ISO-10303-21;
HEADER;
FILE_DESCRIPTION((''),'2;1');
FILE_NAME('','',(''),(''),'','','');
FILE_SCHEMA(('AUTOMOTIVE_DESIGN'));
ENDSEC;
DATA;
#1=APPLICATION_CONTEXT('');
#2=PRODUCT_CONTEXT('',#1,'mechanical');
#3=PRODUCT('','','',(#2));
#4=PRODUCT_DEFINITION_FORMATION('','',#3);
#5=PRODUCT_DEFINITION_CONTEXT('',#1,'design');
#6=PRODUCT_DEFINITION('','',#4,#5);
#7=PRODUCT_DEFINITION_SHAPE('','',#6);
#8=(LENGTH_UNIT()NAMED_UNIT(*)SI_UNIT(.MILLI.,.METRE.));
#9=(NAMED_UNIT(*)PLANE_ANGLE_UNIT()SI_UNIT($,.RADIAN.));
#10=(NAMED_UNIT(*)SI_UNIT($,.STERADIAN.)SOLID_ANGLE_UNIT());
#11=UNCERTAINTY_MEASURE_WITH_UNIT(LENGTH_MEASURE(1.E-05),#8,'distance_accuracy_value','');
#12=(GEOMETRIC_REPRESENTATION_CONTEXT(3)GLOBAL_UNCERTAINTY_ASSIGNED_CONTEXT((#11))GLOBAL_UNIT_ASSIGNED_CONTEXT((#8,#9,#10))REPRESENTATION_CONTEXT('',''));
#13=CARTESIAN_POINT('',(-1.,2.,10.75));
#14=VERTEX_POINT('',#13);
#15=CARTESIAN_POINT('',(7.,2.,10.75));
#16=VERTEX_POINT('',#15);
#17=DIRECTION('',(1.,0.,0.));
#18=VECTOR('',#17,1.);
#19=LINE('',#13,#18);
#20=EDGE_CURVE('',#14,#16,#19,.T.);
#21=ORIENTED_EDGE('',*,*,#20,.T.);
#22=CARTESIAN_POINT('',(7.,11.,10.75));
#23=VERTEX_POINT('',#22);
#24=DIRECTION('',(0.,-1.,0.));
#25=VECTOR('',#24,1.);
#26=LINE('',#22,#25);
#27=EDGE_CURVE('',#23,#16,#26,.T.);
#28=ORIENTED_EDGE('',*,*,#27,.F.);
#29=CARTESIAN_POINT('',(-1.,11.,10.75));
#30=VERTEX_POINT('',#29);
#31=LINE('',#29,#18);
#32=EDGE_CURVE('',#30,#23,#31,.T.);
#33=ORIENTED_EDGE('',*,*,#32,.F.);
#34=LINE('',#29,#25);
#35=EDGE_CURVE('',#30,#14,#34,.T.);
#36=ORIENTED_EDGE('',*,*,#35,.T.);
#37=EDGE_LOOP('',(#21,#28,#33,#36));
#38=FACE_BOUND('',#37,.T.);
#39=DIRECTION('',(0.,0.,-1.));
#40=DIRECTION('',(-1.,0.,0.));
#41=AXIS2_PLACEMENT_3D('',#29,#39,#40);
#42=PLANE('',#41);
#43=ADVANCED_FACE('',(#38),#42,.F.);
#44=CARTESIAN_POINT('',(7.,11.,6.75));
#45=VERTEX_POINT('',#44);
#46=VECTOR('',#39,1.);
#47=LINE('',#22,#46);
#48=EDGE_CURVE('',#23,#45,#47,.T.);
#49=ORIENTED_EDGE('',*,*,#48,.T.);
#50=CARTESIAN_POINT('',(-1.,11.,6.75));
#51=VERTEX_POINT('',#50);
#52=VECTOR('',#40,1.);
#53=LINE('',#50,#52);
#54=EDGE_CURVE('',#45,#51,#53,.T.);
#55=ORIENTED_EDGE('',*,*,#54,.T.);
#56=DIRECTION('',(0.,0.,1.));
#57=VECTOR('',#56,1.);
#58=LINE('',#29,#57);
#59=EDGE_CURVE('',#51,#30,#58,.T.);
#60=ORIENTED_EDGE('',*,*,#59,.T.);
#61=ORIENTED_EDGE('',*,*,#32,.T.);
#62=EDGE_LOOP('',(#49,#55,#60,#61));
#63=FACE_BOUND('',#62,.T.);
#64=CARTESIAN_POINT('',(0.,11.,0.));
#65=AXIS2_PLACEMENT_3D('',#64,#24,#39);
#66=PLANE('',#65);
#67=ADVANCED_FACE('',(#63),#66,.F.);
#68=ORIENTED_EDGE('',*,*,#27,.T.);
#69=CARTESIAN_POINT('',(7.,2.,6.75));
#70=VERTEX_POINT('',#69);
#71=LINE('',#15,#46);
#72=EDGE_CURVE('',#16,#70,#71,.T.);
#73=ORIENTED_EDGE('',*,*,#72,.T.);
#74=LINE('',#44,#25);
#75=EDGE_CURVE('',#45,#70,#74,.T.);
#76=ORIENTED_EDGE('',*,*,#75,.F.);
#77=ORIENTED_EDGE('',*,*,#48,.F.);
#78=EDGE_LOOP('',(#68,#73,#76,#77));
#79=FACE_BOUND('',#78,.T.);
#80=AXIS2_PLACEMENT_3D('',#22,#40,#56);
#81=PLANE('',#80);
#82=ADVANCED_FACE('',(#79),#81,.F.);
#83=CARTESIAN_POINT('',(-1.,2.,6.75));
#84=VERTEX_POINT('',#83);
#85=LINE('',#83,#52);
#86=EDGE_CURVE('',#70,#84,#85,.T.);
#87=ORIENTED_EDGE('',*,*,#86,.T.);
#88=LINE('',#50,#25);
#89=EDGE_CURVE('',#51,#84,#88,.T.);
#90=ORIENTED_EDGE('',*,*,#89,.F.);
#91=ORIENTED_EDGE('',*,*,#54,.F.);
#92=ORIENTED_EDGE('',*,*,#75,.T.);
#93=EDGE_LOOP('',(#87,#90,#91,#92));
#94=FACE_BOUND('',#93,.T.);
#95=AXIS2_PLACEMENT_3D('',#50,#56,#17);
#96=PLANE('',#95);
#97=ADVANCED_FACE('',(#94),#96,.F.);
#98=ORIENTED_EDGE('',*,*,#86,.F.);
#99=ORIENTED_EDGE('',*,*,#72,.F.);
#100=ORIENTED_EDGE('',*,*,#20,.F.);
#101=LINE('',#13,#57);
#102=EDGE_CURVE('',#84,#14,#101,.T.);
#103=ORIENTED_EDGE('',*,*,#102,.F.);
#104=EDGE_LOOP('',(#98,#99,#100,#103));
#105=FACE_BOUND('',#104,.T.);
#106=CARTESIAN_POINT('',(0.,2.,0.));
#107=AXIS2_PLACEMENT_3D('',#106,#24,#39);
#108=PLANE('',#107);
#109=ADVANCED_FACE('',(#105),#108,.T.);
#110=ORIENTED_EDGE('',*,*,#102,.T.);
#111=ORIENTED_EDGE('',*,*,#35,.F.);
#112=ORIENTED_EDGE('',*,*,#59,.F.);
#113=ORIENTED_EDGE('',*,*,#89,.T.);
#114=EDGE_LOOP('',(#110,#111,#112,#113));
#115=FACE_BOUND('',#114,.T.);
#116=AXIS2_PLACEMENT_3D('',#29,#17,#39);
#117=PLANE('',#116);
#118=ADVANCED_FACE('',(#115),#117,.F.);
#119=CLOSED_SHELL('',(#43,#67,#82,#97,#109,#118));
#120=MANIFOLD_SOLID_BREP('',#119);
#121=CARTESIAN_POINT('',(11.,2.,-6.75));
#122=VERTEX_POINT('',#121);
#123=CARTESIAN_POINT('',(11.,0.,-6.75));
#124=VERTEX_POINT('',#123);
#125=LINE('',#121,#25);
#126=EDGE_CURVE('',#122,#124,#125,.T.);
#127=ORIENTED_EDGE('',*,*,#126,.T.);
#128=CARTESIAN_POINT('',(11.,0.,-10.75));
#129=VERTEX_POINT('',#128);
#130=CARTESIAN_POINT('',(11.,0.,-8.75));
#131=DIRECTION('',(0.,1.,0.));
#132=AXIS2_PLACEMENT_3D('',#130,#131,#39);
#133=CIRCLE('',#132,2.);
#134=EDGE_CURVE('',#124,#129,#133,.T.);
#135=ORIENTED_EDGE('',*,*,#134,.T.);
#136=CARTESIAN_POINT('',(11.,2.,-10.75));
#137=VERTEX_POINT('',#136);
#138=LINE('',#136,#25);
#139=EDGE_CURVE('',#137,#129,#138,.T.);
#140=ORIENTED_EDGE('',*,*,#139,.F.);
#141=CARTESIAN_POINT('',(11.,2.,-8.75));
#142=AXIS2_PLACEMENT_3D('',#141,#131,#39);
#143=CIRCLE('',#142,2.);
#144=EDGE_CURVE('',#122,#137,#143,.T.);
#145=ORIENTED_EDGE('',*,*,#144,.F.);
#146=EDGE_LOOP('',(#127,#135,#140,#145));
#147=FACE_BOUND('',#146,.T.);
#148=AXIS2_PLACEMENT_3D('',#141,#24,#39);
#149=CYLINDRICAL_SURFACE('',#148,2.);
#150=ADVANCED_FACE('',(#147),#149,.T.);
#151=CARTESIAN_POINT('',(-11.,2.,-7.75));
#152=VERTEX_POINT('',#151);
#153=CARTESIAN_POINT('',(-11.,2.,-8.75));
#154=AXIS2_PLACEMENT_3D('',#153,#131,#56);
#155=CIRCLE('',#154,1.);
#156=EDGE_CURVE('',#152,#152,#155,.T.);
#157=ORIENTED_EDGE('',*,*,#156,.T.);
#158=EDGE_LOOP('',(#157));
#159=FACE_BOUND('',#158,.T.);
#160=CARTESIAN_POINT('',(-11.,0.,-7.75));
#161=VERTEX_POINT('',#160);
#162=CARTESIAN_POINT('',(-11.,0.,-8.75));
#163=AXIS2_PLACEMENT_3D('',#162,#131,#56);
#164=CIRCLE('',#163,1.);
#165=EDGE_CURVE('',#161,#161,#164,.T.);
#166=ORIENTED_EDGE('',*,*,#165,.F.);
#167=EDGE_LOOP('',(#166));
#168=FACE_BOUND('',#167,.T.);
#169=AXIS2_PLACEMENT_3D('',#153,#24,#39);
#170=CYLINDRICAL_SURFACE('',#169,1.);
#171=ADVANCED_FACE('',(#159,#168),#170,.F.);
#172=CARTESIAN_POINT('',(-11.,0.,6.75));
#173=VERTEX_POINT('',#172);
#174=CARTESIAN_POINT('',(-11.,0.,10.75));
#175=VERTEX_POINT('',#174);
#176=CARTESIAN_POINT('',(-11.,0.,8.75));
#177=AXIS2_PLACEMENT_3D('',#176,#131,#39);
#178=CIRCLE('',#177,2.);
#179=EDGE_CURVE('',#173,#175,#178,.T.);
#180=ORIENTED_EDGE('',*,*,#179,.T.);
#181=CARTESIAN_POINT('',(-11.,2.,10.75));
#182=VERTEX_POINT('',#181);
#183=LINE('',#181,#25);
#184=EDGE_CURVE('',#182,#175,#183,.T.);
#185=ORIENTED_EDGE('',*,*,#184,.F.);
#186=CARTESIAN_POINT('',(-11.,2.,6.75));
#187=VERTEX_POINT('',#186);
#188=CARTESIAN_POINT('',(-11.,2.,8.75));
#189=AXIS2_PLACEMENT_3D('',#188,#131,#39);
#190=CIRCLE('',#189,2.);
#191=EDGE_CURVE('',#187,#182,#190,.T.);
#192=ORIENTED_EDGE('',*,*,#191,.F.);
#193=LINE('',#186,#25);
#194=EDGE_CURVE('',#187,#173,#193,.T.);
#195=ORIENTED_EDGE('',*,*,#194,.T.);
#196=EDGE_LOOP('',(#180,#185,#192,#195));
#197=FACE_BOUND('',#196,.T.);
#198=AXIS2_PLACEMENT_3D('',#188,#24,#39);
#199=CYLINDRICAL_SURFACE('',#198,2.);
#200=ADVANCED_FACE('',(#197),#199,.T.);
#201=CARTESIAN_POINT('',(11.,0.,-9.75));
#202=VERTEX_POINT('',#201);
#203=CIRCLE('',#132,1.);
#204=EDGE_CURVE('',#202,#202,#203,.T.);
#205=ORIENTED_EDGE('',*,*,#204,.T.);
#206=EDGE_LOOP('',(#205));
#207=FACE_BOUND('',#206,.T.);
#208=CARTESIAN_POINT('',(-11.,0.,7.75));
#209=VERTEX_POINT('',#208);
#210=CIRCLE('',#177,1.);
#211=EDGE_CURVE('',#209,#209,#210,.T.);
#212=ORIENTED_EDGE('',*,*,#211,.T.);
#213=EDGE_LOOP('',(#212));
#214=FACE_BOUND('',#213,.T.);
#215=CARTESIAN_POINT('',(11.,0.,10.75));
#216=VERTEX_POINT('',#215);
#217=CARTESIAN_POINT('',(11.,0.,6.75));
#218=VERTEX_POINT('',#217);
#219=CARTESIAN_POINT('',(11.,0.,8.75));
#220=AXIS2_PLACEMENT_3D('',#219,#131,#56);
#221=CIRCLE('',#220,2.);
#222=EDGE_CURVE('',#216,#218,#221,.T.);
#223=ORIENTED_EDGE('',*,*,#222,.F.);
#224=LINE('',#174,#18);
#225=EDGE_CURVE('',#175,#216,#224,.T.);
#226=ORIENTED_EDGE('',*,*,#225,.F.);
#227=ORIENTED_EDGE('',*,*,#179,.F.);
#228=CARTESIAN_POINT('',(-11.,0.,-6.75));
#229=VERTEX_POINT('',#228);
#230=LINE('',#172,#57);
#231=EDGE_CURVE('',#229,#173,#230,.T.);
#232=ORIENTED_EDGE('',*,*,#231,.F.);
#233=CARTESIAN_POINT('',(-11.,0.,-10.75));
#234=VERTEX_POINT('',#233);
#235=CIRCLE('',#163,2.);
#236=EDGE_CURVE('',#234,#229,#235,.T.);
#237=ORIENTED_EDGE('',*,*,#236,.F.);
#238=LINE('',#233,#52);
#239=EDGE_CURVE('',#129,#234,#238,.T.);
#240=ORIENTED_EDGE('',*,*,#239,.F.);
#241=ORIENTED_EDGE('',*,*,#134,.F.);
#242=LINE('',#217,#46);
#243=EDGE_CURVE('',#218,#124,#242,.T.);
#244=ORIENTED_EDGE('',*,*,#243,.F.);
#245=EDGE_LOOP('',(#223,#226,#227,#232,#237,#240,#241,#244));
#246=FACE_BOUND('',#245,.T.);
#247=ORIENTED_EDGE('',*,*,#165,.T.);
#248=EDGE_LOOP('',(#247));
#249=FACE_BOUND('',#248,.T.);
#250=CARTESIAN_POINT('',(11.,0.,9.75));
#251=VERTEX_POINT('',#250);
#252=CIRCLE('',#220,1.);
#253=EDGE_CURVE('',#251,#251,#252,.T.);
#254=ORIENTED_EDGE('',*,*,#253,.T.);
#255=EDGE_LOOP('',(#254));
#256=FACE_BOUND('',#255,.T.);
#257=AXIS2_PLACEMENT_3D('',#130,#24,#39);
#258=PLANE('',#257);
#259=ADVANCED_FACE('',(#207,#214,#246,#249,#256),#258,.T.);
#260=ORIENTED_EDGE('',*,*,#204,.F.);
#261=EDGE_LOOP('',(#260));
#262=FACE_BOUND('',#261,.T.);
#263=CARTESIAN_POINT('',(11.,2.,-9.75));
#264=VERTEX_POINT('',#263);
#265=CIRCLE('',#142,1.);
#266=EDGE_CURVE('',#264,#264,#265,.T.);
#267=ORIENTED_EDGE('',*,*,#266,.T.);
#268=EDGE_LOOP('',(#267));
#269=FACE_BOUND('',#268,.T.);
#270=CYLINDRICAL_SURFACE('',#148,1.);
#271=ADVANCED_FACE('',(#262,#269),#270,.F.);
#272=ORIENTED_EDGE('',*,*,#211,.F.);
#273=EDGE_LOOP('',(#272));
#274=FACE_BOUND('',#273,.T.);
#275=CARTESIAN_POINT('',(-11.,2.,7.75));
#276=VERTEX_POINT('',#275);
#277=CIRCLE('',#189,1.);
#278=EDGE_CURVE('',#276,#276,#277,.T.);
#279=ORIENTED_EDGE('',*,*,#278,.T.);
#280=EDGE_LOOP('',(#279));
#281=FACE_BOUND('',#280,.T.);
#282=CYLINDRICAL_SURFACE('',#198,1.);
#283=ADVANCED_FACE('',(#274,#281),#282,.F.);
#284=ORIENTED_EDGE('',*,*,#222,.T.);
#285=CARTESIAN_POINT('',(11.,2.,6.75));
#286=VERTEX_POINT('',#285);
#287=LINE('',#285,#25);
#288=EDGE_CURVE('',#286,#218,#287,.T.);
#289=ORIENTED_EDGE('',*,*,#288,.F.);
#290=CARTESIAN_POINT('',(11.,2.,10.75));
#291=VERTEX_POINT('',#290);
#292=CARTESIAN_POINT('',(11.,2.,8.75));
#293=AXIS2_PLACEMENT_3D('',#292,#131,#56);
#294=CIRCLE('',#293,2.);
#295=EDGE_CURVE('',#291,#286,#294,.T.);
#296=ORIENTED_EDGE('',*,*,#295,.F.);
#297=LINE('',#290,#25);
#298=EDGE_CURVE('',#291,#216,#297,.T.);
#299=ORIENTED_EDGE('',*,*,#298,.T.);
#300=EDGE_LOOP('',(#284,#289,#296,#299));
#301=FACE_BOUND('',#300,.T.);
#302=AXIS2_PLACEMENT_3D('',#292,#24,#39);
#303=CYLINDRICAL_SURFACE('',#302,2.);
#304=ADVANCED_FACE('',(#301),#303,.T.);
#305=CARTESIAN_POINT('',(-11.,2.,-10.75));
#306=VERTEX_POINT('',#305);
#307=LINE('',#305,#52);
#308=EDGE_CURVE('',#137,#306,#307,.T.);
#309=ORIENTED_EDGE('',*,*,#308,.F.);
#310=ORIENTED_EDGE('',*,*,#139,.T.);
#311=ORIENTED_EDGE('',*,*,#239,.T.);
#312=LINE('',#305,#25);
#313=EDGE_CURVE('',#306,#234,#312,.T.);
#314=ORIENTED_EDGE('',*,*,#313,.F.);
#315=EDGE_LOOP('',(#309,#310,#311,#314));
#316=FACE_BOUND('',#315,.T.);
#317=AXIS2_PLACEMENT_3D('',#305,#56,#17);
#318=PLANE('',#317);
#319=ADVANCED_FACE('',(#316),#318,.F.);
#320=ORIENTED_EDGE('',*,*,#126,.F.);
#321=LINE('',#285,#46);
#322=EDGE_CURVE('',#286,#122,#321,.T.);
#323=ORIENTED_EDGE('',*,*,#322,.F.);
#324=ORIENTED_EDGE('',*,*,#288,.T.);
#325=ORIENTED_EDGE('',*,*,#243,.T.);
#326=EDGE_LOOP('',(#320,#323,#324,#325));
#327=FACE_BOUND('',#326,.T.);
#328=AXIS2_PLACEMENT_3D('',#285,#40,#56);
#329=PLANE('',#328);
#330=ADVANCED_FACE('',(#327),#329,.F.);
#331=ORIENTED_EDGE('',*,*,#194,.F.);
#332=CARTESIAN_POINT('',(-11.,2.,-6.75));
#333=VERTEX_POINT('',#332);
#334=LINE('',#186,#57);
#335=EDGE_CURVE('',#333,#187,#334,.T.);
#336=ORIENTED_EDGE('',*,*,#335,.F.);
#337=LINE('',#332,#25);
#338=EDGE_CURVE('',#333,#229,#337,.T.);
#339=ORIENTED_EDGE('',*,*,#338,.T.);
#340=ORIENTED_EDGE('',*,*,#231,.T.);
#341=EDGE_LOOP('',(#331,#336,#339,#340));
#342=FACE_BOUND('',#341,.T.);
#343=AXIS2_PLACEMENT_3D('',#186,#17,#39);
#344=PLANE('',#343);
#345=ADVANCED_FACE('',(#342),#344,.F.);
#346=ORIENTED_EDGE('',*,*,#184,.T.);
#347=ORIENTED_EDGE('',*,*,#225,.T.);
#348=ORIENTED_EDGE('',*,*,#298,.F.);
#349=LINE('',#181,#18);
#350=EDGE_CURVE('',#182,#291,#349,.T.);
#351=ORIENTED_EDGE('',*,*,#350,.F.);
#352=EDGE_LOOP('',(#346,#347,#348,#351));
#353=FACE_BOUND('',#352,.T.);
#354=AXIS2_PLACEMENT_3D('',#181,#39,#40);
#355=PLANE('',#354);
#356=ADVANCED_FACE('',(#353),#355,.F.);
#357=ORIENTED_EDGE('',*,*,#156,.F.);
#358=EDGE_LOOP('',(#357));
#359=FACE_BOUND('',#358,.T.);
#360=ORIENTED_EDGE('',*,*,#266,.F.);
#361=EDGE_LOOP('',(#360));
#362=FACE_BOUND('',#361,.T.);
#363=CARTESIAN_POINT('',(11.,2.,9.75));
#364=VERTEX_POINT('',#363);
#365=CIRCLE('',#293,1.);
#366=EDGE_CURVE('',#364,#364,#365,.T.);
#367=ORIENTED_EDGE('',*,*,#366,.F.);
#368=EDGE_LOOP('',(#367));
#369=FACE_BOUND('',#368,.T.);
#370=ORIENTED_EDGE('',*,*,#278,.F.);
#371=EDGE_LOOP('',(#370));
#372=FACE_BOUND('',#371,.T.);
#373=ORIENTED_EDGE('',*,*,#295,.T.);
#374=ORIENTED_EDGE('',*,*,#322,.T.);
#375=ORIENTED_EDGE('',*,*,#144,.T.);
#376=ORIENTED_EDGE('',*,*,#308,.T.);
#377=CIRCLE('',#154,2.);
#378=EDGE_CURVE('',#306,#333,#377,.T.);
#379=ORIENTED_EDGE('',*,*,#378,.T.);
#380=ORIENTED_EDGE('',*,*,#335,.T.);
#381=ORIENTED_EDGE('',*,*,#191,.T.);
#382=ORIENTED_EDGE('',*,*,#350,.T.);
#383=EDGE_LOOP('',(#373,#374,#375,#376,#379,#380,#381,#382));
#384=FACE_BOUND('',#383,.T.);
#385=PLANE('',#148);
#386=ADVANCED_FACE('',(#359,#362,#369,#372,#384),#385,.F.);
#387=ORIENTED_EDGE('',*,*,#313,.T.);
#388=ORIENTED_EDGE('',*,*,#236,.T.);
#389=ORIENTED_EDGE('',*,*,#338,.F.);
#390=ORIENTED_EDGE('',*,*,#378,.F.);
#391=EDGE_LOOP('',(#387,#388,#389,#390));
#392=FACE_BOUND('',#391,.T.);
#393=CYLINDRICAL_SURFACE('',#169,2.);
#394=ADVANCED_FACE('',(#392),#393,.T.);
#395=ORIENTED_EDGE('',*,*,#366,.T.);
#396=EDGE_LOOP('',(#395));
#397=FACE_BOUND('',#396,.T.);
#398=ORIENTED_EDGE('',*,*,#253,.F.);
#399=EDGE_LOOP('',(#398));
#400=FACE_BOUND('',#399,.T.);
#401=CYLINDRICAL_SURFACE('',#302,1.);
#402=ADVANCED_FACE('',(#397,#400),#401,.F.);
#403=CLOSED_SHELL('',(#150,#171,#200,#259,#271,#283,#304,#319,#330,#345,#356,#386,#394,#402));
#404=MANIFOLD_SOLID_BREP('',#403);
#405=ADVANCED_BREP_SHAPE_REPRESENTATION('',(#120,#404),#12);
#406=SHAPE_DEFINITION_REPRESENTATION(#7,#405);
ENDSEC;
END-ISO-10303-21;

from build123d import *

# Parameters (mm, degrees)
SKETCH_1_R      = 1
EXTRUDE_1_DEPTH = 2
SKETCH_2_W      = 8
SKETCH_2_H      = 4
EXTRUDE_2_DEPTH = 9


with BuildPart() as part:
    # 草图1 → 凸台-拉伸1 (new body)
    with BuildSketch(Plane(origin=(0, 0, 0), x_dir=(1, 0, 0), z_dir=(0, 1, 0))):
        with BuildLine():
            Line((-11, -10.75), (11, -10.75))
            ThreePointArc((11, -10.75), (13, -8.75), (11, -6.75))
            Line((11, -6.75), (11, 6.75))
            ThreePointArc((11, 6.75), (13, 8.75), (11, 10.75))
            Line((11, 10.75), (-11, 10.75))
            ThreePointArc((-11, 10.75), (-13, 8.75), (-11, 6.75))
            Line((-11, 6.75), (-11, -6.75))
            ThreePointArc((-11, -6.75), (-13, -8.75), (-11, -10.75))
        make_face()
        with Locations(Location((-11, 8.75, 0), (0, 0, 270))):
            Circle(SKETCH_1_R, mode=Mode.SUBTRACT)
        with Locations(Location((11, 8.75, 0), (0, 0, 90))):
            Circle(SKETCH_1_R, mode=Mode.SUBTRACT)
        with Locations(Location((11, -8.75, 0), (0, 0, 270))):
            Circle(SKETCH_1_R, mode=Mode.SUBTRACT)
        with Locations(Location((-11, -8.75, 0), (0, 0, 90))):
            Circle(SKETCH_1_R, mode=Mode.SUBTRACT)
    extrude(amount=EXTRUDE_1_DEPTH)


with BuildPart() as body_2:
    # 草图2 → 凸台-拉伸2 (new body)
    with BuildSketch(Plane(origin=(0, 2, 0), x_dir=(1, 0, 0), z_dir=(0, 1, 0))):
        with Locations((3, -8.75)):
            Rectangle(SKETCH_2_W, SKETCH_2_H)
    extrude(amount=EXTRUDE_2_DEPTH)


solid = Compound([part.part, body_2.part])
